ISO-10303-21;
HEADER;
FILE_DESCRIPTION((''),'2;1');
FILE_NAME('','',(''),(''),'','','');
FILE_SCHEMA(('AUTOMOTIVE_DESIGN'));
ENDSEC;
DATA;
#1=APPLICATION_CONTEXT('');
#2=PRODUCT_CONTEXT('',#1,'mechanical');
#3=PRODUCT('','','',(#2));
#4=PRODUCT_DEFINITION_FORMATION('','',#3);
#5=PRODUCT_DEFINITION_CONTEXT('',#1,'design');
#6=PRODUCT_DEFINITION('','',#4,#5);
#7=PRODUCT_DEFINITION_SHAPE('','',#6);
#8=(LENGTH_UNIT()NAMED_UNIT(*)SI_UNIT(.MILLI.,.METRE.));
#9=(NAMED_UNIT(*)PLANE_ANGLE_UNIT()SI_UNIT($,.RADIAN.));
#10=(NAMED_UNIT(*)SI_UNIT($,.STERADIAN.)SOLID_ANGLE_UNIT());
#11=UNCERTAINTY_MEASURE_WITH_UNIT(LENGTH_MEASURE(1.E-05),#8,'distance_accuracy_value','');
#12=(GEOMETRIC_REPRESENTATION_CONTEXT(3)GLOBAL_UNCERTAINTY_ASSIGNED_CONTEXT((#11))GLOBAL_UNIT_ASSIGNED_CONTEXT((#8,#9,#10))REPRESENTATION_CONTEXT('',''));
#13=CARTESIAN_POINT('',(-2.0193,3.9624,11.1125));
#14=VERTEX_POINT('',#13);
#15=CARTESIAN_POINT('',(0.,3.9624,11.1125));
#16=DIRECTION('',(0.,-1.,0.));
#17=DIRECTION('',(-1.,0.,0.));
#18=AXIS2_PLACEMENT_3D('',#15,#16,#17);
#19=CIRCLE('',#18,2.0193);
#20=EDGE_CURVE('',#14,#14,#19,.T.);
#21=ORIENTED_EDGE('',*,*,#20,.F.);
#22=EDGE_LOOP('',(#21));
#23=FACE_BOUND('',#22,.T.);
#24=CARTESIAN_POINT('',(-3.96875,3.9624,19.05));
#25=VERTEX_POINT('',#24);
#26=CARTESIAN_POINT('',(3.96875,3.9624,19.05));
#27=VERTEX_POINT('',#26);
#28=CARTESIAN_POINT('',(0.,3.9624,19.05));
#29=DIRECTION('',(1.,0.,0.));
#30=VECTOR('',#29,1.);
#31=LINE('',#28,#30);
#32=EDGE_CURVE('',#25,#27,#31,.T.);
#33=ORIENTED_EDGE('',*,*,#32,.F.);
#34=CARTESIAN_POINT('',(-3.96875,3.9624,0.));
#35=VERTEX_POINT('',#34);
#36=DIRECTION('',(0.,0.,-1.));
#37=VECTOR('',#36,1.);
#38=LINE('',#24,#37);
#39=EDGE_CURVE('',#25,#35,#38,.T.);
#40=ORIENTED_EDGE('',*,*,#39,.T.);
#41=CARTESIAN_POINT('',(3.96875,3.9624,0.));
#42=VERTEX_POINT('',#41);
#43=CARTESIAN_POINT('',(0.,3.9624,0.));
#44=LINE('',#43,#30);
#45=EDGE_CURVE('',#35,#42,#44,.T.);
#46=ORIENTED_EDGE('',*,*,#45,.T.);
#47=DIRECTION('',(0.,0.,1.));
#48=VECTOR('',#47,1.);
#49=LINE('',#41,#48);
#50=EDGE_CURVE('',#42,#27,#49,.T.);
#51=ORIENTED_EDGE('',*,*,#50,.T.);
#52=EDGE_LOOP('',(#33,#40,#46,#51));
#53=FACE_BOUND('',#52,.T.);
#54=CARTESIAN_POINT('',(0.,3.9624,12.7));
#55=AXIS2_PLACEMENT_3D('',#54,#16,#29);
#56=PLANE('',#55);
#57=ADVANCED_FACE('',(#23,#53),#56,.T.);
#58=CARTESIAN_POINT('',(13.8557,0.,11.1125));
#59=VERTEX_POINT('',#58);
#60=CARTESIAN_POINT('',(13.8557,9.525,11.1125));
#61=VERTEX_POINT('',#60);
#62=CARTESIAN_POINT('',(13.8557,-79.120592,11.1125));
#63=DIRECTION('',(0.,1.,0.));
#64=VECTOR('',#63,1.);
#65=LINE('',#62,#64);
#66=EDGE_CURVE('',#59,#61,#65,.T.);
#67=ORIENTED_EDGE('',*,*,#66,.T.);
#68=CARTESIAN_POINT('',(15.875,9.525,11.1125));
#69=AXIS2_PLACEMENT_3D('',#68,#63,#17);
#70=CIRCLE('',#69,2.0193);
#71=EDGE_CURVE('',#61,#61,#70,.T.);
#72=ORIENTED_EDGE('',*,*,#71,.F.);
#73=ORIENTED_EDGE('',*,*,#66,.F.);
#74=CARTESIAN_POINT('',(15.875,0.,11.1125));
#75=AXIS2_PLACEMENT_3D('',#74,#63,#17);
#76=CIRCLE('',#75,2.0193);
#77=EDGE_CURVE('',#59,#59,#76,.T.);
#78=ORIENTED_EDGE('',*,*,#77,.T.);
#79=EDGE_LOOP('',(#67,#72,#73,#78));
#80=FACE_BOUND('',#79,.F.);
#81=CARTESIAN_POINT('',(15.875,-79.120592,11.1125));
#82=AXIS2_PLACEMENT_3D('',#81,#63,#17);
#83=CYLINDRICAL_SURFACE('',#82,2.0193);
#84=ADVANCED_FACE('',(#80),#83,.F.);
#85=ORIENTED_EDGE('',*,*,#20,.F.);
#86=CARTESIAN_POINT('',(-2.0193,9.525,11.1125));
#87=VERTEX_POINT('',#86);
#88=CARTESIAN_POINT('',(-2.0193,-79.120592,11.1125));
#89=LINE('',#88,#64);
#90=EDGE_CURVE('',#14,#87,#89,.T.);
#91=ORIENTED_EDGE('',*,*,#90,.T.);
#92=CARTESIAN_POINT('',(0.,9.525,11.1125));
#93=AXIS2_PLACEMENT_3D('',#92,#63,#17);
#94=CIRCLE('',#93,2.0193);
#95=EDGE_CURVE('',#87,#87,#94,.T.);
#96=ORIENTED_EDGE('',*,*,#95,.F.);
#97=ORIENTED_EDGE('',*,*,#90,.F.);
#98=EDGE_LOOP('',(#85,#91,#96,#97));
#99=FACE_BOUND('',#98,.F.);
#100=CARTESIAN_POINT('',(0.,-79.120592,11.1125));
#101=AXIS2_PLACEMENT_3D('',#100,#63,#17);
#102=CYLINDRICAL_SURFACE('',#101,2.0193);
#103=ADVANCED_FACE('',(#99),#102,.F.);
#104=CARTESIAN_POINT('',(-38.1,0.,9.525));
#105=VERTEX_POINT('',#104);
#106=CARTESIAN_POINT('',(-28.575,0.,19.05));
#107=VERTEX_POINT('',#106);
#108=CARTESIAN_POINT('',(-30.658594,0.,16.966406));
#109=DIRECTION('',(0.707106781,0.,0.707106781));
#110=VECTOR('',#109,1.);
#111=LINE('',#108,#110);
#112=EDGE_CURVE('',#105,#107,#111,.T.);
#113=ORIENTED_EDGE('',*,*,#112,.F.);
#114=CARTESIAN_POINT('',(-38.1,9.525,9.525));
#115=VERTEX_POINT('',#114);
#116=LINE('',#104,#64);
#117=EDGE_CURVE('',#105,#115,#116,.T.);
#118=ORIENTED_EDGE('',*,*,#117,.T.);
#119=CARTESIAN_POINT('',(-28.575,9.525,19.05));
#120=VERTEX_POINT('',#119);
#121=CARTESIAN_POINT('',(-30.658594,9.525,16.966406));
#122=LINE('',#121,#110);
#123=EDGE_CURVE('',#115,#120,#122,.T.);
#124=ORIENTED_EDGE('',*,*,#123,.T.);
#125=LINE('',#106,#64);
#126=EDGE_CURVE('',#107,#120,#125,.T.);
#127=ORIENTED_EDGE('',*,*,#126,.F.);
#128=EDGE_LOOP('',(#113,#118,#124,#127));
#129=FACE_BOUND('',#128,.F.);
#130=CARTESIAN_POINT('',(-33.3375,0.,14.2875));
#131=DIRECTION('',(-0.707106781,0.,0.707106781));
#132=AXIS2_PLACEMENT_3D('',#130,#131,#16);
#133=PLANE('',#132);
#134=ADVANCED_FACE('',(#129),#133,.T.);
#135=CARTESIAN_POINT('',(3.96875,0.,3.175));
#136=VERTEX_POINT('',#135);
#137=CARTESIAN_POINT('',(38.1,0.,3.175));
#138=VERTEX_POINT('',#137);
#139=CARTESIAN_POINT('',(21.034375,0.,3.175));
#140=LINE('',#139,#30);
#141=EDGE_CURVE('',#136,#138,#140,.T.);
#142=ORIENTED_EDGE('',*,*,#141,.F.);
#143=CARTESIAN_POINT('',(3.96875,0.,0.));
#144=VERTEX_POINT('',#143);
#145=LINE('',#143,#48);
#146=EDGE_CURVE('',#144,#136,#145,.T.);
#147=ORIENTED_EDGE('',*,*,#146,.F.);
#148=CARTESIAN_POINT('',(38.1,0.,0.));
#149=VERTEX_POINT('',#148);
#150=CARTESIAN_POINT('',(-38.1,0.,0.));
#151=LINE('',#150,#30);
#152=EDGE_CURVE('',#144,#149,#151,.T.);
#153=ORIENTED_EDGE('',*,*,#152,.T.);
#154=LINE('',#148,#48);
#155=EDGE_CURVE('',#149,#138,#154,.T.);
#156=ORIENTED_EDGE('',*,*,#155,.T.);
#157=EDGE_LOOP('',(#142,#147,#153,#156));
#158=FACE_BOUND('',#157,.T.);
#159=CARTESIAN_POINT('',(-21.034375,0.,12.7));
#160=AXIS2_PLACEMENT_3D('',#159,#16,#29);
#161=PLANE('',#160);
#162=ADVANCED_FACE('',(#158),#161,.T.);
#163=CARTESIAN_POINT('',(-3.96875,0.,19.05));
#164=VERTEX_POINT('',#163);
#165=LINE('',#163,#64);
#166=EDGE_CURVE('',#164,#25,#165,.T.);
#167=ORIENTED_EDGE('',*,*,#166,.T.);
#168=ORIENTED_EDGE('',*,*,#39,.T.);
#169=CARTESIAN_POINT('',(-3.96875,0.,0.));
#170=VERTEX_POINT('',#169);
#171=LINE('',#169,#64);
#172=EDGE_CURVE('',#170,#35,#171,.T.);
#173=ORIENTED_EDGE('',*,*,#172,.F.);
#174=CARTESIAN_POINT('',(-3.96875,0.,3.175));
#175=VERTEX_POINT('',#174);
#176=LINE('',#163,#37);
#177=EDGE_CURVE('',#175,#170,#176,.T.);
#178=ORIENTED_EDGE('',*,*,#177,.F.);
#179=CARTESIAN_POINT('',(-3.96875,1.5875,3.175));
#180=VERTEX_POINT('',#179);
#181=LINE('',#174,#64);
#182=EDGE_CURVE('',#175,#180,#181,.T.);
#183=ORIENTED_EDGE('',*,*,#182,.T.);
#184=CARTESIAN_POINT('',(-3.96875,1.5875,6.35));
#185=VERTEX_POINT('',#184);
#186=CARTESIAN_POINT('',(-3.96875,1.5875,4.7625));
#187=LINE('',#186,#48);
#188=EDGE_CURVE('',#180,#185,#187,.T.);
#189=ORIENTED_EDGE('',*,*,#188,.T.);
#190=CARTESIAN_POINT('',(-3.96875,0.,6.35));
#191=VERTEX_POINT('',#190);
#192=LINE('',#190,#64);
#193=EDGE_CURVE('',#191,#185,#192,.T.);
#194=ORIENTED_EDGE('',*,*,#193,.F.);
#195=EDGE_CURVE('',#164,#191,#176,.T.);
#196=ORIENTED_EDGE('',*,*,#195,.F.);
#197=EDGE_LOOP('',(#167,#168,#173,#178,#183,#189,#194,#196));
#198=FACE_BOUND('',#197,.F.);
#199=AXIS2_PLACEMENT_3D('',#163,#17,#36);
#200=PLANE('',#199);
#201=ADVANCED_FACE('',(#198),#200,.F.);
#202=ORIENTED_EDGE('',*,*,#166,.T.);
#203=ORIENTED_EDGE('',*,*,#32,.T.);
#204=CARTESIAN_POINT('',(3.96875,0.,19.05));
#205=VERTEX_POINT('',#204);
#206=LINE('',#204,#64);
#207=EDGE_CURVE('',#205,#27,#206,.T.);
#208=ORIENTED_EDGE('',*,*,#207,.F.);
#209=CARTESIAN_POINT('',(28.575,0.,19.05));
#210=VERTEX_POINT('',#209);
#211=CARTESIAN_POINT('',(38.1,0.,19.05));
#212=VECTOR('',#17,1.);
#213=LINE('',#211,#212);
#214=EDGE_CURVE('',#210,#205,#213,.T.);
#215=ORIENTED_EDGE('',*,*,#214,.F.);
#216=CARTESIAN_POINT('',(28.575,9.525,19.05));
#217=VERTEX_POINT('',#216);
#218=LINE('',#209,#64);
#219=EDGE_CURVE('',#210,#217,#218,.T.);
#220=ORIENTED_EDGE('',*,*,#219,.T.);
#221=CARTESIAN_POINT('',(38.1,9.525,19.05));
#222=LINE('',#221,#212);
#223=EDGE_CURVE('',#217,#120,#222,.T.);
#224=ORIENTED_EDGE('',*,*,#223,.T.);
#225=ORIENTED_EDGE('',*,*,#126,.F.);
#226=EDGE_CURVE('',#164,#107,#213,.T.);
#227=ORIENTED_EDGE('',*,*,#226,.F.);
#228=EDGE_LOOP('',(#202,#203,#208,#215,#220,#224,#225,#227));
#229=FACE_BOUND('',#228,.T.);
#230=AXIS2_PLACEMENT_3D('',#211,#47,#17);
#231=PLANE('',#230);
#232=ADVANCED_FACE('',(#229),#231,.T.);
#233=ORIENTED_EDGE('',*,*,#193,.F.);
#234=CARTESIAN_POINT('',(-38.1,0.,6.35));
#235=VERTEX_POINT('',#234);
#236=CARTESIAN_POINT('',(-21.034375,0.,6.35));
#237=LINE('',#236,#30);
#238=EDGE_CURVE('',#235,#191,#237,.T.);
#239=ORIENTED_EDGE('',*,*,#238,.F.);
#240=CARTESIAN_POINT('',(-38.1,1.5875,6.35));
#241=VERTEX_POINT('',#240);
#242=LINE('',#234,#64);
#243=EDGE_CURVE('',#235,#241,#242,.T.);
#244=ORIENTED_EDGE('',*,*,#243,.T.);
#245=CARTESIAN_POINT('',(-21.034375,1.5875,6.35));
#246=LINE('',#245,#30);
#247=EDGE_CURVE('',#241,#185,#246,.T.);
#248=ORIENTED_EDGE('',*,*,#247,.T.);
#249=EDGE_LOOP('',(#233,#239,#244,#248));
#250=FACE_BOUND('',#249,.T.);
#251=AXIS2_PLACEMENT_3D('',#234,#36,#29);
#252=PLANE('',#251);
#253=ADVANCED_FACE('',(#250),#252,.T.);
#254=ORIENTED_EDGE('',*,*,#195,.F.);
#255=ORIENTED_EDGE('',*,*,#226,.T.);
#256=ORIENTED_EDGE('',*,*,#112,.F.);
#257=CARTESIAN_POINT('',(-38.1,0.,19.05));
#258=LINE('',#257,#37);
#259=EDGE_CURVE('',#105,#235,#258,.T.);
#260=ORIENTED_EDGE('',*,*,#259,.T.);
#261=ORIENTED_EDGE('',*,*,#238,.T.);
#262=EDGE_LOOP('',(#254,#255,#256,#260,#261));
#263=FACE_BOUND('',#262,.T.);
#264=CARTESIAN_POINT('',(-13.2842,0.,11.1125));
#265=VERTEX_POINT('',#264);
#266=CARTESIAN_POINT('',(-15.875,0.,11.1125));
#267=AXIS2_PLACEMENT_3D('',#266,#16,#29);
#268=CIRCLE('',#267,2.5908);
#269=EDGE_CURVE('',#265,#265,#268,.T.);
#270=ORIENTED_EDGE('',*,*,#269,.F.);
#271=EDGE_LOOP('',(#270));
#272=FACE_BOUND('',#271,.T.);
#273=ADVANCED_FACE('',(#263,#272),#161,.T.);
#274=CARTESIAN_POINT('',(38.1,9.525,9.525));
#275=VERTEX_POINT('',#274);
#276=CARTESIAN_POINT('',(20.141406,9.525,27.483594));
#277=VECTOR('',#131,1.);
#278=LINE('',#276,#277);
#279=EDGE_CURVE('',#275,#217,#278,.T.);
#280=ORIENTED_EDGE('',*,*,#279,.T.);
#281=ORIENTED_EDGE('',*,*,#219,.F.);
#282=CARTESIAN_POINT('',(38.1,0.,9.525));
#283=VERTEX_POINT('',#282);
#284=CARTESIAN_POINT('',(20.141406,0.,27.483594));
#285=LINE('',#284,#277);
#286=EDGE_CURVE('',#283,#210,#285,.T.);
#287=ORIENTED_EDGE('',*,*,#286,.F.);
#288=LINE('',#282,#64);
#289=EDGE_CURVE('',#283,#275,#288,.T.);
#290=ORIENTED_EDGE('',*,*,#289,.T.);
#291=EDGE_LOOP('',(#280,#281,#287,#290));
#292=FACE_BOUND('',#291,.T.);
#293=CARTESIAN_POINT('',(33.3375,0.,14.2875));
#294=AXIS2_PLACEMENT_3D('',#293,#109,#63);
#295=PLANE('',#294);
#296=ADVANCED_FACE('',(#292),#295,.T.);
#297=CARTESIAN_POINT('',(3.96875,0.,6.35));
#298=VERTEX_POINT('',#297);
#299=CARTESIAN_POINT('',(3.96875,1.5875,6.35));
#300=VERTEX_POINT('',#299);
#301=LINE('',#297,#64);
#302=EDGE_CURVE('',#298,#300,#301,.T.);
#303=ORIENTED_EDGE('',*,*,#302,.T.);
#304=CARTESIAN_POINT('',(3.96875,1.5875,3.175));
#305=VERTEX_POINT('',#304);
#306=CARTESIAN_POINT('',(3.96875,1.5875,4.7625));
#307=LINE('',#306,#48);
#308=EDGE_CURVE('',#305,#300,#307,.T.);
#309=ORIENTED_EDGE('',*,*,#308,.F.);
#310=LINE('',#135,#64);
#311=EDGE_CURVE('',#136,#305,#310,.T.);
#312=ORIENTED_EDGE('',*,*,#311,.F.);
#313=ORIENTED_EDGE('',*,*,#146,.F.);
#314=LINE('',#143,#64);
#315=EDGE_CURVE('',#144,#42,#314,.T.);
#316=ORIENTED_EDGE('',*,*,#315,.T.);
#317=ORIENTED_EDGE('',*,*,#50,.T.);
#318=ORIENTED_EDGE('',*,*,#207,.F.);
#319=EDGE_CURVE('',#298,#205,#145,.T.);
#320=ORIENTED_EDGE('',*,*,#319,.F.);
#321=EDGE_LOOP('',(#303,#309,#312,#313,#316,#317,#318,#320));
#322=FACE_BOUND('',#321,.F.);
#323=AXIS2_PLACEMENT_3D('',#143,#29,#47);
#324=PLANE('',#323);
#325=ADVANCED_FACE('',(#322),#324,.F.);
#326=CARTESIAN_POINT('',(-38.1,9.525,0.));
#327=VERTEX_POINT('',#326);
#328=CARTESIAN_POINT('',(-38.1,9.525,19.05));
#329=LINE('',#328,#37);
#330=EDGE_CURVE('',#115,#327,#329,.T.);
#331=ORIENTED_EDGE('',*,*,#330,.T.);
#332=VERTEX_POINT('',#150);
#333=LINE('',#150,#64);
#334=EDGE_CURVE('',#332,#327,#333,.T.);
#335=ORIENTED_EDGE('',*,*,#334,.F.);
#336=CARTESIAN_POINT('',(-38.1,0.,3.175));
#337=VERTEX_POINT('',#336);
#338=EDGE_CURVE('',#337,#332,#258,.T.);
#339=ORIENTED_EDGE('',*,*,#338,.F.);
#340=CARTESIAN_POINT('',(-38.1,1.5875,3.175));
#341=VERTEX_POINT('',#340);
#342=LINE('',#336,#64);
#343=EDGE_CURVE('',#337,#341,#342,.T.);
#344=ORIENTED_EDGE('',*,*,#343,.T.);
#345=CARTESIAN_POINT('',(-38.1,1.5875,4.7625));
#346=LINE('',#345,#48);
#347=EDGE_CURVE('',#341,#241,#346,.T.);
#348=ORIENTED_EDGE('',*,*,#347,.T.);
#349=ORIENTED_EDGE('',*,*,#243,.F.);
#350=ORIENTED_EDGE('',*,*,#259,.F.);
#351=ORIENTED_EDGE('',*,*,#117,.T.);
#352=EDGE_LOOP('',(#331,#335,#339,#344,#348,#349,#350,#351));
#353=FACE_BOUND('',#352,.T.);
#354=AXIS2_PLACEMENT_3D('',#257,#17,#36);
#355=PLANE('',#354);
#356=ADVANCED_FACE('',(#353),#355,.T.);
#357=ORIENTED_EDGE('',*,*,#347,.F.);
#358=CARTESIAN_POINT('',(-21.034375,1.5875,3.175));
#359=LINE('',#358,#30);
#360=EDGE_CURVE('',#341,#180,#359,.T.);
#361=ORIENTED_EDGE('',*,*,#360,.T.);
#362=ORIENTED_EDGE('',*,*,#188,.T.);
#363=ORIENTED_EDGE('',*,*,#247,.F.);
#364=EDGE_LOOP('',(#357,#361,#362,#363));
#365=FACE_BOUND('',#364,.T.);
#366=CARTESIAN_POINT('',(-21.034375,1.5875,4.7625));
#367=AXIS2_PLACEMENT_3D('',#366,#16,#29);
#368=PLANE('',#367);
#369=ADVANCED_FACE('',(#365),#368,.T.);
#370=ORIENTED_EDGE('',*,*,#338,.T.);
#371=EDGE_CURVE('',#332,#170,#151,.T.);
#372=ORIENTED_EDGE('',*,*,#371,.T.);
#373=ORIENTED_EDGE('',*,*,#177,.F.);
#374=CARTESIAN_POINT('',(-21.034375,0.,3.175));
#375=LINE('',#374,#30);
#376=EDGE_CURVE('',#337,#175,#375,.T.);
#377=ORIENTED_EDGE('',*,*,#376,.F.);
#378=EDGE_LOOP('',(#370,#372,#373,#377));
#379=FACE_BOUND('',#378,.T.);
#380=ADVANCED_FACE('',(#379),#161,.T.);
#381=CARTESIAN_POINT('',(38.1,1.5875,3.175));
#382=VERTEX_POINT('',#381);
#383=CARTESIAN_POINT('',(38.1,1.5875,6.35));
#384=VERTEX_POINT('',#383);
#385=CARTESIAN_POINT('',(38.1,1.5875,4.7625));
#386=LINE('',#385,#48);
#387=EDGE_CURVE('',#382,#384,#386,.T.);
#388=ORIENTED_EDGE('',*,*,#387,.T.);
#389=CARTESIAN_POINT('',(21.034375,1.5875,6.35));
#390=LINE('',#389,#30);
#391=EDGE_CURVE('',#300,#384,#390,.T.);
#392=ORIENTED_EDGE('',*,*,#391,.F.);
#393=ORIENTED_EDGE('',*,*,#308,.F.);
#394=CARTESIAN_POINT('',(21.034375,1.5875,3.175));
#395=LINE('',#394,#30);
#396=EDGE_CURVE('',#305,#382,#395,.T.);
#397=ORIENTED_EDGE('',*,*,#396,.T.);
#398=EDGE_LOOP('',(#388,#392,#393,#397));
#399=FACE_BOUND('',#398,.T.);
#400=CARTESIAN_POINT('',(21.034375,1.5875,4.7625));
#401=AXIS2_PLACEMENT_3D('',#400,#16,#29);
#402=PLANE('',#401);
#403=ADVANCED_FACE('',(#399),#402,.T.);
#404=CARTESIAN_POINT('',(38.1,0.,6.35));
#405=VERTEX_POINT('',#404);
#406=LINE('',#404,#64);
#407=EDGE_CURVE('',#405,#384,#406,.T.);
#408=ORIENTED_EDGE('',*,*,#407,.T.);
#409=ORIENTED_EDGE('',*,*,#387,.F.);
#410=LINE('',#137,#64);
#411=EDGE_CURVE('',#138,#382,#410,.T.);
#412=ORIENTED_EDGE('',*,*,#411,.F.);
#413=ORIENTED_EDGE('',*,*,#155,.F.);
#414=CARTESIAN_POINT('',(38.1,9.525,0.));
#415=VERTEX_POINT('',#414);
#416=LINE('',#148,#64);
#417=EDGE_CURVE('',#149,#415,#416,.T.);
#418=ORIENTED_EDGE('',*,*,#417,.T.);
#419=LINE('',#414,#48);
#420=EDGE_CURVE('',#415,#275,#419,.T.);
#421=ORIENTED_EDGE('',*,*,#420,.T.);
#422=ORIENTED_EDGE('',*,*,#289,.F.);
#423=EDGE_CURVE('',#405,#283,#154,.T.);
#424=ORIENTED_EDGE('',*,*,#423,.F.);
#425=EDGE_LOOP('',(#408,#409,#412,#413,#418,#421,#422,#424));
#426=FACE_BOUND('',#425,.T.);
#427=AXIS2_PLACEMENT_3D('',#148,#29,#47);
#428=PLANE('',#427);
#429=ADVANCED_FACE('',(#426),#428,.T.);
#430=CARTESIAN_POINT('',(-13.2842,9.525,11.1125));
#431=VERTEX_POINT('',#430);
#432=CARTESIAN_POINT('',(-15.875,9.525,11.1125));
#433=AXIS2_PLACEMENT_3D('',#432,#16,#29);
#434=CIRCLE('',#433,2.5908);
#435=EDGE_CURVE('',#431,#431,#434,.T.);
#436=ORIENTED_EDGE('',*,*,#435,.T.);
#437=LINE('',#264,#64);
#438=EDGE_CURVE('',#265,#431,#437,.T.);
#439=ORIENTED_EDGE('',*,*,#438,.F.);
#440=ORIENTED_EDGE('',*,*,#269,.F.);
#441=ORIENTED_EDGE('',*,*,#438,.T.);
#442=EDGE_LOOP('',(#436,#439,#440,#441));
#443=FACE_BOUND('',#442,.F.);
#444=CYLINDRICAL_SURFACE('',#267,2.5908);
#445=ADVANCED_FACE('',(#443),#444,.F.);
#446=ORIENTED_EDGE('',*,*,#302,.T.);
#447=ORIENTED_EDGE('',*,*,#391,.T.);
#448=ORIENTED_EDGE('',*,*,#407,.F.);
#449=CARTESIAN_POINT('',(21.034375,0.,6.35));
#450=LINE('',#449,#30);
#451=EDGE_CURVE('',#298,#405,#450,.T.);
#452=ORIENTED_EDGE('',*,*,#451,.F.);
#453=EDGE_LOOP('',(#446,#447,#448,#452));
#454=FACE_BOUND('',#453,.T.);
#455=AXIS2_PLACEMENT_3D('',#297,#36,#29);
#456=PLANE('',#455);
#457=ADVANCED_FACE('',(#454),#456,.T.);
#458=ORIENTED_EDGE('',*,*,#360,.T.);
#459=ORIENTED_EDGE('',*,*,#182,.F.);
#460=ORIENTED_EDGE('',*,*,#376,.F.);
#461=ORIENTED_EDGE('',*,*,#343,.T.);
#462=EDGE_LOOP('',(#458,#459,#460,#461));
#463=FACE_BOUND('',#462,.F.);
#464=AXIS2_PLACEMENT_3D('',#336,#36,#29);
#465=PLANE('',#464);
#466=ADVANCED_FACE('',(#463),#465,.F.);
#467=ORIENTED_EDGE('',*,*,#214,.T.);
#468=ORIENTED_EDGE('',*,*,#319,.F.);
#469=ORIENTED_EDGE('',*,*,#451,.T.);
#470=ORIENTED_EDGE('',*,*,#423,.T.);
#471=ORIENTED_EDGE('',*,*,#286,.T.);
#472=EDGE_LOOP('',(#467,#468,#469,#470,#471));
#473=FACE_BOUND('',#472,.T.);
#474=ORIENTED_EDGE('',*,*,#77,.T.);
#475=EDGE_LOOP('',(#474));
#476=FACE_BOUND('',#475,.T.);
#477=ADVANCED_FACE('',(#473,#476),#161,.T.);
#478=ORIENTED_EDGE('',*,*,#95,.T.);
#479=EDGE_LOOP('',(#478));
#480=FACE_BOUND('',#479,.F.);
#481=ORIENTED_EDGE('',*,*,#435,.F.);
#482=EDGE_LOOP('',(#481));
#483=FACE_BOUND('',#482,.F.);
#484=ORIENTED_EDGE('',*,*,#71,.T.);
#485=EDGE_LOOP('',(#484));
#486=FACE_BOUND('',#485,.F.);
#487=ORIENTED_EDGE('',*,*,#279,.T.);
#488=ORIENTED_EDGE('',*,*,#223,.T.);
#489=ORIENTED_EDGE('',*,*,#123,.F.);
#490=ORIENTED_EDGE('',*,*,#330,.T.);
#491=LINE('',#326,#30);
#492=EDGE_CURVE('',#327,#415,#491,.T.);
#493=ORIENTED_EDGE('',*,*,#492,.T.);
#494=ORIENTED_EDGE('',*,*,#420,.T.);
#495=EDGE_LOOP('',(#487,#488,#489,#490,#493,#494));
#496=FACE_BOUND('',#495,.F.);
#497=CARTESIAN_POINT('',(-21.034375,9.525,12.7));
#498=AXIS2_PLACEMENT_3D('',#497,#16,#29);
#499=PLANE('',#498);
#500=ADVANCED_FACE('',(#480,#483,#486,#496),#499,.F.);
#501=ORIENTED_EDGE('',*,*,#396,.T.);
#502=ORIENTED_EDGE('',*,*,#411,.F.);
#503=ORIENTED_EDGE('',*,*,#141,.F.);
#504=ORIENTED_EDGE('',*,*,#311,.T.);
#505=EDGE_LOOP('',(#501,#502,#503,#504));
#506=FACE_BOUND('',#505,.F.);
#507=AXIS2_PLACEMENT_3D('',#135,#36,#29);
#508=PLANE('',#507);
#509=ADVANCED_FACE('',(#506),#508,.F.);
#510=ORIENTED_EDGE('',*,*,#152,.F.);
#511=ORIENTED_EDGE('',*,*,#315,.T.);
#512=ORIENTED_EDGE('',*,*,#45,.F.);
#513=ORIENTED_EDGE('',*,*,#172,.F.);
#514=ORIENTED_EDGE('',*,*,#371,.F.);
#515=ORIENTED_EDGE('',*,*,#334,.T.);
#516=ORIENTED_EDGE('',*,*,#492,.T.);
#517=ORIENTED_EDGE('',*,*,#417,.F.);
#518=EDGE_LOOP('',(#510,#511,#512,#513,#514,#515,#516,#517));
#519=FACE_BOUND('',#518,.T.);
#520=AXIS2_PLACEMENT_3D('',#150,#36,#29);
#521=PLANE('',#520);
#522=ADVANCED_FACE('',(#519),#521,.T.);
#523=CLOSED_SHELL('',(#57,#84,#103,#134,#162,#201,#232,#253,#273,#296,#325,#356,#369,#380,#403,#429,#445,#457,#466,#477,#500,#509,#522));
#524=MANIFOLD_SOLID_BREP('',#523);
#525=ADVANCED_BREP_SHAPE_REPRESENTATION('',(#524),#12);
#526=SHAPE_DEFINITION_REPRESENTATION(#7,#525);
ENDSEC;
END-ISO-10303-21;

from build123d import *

# Parameters (mm, degrees)
F0_W     = 34.13125
F0_H     = 12.7
F0_R     = 2.5908
F0_W_2   = 7.9375
F0_R_2   = 2.0193
F0_H_2   = 3.175
F1_DEPTH = 9.525
F2_DEPTH = 3.9624
F3_DEPTH = 1.5875
F4_SIZE  = 9.525
F5_D     = 4.0386


with BuildPart() as f1:
    # F0 (on Front) → F1 (new body)
    with BuildSketch(Plane.XZ):
        with Locations((-21.034375, 12.7)):
            Rectangle(F0_W, F0_H)
        with Locations((-15.875, 11.1125)):
            Circle(F0_R, mode=Mode.SUBTRACT)
        with Locations((0, 12.7)):
            Rectangle(F0_W_2, F0_H)
        with Locations((0, 11.1125)):
            Circle(F0_R_2, mode=Mode.SUBTRACT)
        with Locations((-21.034375, 4.7625)):
            Rectangle(F0_W, F0_H_2)
        with Locations((21.034375, 12.7)):
            Rectangle(F0_W, F0_H)
        with Locations((15.875, 11.1125)):
            Circle(F0_R_2, mode=Mode.SUBTRACT)
        with Locations((-21.034375, 1.5875)):
            Rectangle(F0_W, F0_H_2)
        with Locations((21.034375, 4.7625)):
            Rectangle(F0_W, F0_H_2)
        with Locations((0, 1.5875)):
            Rectangle(F0_W_2, F0_H_2)
        with Locations((21.034375, 1.5875)):
            Rectangle(F0_W, F0_H_2)
        with Locations((0, 4.7625)):
            Rectangle(F0_W_2, F0_H_2)
        with Locations((0, 11.1125)):
            Circle(F0_R_2)
        with Locations((15.875, 11.1125)):
            Circle(F0_R_2)
    extrude(amount=-F1_DEPTH)

    # F0 (on Front) → F2 (cut)
    with BuildSketch(Plane.XZ):
        with Locations((0, 12.7)):
            Rectangle(F0_W_2, F0_H)
        with Locations((0, 11.1125)):
            Circle(F0_R_2, mode=Mode.SUBTRACT)
        with Locations((0, 4.7625)):
            Rectangle(F0_W_2, F0_H_2)
        with Locations((0, 1.5875)):
            Rectangle(F0_W_2, F0_H_2)
    extrude(amount=-F2_DEPTH, mode=Mode.SUBTRACT)

    # F0 (on Front) → F3 (cut)
    with BuildSketch(Plane.XZ):
        with Locations((-21.034375, 4.7625)):
            Rectangle(F0_W, F0_H_2)
        with Locations((21.034375, 4.7625)):
            Rectangle(F0_W, F0_H_2)
    extrude(amount=-F3_DEPTH, mode=Mode.SUBTRACT)

    # F4
    f4_edges = [f1.edges().sort_by_distance(p)[0] for p in [
        (38.1, 4.7625, 19.05),
        (-38.1, 4.7625, 19.05),
    ]]
    chamfer(f4_edges, length=F4_SIZE)

    # F5 (through all)
    with Locations(Plane.XZ):
        with Locations((0, 11.1125), (15.875, 11.1125)):
            Hole(F5_D / 2)


solid = f1.part
